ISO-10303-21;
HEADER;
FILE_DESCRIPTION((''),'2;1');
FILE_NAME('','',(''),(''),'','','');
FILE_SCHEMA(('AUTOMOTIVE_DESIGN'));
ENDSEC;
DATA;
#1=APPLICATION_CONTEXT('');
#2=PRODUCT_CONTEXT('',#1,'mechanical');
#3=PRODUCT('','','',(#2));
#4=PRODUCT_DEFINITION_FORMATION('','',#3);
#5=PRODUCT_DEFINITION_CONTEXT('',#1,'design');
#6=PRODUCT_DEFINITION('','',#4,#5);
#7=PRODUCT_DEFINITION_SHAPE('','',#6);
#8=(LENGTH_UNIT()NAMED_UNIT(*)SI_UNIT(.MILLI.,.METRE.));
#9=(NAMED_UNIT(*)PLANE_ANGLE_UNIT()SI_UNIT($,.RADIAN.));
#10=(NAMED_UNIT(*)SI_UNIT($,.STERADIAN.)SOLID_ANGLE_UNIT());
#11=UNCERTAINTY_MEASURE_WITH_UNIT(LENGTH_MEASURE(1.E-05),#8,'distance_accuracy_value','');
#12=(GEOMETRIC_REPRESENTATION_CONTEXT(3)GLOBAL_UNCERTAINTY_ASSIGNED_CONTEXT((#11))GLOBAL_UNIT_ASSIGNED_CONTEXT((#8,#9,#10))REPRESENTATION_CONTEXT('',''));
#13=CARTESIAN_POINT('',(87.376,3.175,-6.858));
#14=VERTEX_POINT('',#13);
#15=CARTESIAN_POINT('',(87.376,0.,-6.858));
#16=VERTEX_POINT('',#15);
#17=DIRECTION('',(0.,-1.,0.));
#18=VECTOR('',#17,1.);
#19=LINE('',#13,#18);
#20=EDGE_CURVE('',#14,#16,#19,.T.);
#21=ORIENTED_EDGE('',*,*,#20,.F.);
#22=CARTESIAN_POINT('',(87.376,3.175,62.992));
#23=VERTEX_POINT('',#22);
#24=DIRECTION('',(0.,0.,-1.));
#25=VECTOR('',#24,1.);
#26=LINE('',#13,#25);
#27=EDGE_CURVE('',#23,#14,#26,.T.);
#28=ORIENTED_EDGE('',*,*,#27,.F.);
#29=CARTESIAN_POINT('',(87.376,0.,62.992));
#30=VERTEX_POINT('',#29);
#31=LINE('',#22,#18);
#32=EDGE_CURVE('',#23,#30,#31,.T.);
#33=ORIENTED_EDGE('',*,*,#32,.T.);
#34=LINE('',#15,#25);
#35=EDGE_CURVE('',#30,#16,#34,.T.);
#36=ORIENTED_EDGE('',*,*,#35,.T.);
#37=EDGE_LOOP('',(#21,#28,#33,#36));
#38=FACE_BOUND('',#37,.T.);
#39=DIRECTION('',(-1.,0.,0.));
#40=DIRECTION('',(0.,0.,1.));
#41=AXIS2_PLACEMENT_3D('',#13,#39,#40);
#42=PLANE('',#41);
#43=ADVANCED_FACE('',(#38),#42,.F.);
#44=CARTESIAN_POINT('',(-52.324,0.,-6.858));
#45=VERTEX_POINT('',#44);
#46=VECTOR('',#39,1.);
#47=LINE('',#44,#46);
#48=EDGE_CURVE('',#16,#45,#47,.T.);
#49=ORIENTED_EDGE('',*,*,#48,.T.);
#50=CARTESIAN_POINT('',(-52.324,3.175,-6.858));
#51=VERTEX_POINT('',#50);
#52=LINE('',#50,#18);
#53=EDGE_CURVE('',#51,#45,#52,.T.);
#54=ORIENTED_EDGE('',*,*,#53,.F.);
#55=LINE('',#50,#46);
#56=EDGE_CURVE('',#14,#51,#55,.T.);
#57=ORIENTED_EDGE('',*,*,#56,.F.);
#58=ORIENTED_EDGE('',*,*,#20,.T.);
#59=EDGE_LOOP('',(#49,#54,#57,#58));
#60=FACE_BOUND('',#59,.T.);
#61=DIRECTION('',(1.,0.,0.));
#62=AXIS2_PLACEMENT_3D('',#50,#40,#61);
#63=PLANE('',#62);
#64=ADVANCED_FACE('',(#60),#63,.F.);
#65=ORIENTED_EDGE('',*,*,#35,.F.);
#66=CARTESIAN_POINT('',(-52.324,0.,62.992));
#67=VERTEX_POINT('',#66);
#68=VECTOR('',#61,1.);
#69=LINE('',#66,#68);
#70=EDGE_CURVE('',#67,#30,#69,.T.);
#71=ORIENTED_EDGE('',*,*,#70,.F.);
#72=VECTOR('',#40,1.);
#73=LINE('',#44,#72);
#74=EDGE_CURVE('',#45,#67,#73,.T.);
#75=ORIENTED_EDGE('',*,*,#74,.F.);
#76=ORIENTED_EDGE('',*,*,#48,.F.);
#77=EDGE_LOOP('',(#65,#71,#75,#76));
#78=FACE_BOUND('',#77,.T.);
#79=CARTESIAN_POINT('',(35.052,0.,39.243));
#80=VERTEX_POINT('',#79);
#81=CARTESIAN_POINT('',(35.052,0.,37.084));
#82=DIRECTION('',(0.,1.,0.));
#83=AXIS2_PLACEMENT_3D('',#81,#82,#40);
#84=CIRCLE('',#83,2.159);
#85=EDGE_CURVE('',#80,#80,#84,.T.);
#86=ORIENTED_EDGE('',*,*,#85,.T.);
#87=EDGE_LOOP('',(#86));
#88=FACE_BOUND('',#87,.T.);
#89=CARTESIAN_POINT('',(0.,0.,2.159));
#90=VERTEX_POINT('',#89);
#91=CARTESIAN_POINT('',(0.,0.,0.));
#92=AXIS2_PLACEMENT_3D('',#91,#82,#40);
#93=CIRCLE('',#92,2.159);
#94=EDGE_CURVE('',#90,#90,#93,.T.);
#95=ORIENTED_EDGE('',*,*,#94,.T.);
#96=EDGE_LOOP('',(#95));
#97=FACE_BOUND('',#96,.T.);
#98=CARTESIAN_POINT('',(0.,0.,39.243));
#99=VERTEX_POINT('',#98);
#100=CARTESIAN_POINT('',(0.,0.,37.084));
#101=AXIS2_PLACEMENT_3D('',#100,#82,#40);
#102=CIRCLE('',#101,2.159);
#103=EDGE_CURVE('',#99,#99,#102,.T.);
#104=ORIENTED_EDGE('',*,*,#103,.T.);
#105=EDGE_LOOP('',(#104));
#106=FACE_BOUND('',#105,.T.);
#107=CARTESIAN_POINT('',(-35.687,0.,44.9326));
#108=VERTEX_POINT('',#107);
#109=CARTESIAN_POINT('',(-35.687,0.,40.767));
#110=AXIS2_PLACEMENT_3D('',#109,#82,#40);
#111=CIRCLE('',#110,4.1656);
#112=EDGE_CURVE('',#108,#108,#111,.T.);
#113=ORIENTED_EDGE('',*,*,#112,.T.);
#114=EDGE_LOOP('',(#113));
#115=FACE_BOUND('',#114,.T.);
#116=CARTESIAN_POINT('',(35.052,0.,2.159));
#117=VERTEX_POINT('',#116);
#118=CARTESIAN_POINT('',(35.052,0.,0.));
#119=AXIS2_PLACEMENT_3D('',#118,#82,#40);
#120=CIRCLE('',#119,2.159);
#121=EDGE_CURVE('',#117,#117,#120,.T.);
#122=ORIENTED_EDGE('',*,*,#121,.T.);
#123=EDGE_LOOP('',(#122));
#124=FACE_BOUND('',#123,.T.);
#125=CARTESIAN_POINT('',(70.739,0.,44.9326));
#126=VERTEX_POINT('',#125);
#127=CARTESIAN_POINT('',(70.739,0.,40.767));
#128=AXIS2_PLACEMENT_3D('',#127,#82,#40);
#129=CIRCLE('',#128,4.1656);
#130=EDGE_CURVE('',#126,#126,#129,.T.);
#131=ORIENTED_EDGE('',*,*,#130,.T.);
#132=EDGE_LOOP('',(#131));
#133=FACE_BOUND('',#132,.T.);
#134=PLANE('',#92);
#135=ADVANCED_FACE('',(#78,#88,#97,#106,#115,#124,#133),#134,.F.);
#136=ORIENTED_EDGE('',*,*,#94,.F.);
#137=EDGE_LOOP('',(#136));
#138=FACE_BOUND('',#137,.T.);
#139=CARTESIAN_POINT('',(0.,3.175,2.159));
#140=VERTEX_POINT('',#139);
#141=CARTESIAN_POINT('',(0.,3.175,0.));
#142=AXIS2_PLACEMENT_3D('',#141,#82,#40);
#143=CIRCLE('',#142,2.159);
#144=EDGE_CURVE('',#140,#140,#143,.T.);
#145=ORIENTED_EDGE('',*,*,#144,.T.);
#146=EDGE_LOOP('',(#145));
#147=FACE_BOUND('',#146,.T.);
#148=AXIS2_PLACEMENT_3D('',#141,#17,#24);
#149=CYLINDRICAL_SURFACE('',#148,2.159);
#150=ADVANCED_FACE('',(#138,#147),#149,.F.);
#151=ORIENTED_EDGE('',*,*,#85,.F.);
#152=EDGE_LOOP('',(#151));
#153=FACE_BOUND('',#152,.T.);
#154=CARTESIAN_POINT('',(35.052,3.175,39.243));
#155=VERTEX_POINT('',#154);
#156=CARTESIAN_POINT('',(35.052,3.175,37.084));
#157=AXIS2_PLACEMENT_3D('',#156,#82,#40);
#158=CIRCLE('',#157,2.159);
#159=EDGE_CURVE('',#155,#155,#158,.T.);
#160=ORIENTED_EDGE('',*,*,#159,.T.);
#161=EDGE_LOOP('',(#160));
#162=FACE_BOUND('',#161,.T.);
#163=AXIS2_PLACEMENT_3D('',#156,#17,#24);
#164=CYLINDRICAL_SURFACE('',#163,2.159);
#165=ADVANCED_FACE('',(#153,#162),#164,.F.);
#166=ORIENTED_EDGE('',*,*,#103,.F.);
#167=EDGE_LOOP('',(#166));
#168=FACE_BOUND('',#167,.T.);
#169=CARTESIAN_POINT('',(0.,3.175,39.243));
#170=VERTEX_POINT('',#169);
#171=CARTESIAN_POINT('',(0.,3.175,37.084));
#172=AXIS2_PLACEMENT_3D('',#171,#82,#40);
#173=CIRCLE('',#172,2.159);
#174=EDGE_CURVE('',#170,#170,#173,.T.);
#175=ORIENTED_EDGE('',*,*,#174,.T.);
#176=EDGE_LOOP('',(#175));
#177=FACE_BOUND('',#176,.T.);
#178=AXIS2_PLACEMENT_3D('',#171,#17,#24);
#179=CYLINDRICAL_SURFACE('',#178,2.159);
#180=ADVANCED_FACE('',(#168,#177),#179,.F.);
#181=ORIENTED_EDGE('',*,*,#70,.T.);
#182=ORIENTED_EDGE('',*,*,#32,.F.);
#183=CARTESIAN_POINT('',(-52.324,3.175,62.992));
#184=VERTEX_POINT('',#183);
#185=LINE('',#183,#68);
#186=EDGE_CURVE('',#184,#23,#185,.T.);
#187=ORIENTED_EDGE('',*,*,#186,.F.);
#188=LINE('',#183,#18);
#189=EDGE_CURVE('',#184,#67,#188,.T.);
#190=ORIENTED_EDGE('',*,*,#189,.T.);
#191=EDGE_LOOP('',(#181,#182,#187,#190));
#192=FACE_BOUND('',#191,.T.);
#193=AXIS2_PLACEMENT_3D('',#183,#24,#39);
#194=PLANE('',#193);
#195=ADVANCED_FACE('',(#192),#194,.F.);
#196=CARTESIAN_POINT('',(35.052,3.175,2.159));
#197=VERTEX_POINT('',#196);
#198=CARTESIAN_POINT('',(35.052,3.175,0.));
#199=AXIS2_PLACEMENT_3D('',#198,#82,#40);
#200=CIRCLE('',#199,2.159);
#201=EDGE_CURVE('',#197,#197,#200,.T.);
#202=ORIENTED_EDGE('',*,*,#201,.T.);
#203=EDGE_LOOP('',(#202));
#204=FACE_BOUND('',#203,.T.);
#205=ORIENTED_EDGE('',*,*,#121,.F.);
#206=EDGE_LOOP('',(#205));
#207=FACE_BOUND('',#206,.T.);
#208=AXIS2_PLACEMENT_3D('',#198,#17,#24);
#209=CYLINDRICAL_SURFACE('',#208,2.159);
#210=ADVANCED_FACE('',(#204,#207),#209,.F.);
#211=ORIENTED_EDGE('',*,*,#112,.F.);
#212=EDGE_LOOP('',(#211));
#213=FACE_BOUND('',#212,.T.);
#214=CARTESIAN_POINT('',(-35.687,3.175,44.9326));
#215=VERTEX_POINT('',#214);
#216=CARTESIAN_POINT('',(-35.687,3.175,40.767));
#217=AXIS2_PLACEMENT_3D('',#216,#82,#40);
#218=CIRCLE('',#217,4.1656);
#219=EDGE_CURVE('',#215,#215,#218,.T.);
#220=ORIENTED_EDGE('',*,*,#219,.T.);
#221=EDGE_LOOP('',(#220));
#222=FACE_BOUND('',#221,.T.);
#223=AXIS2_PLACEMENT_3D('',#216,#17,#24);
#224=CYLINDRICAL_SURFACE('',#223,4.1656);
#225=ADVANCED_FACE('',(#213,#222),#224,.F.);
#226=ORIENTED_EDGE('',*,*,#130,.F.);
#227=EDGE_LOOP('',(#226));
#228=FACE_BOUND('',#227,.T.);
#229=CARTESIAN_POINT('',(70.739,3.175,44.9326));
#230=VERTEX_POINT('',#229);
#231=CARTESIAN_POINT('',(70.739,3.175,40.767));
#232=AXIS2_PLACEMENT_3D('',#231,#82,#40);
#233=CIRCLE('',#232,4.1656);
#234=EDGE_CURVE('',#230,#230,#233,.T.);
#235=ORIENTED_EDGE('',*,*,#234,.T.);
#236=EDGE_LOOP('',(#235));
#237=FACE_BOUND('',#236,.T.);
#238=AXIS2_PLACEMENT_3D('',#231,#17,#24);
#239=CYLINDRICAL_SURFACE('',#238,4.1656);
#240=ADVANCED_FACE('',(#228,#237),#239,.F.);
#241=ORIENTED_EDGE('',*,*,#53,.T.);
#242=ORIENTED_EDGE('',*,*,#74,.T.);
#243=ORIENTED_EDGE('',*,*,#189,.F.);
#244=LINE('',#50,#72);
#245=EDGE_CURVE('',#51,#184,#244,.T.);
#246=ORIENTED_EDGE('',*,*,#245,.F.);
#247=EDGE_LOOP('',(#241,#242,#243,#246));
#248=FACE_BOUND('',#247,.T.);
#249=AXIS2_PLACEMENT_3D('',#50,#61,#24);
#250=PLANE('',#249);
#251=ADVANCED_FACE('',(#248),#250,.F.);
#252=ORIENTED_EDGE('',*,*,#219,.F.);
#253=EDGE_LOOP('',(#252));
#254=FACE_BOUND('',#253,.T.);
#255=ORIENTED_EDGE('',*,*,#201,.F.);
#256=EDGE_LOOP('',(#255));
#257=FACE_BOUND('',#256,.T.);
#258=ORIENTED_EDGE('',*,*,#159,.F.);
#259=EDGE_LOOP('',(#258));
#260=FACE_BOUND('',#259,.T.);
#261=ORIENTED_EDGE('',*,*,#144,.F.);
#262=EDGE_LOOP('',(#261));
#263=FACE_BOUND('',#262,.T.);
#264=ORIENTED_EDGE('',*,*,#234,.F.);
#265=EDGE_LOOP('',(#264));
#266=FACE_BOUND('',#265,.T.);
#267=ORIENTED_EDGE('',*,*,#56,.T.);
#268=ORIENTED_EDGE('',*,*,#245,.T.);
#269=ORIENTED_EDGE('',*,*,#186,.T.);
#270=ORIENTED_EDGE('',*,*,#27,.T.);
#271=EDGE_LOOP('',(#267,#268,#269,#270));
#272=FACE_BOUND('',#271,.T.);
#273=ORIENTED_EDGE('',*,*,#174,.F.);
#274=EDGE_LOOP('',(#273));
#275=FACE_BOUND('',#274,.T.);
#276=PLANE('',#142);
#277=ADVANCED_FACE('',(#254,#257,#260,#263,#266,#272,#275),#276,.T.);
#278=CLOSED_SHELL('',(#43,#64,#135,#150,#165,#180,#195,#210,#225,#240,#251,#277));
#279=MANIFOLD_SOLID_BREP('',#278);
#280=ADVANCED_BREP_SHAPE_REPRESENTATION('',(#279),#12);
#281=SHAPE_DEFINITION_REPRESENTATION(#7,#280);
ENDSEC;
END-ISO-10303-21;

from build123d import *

# Parameters (mm, degrees)
SKETCH1_W           = 139.7
SKETCH1_H           = 69.85
SKETCH1_R           = 2.159
SKETCH1_R_2         = 4.1656
BOSS_EXTRUDE1_DEPTH = 3.175


with BuildPart() as part:
    # Sketch1 → Boss-Extrude1 (new body)
    with BuildSketch(Plane(origin=(0, 0, 0), x_dir=(1, 0, 0), z_dir=(0, 1, 0))):
        with Locations((17.526, -28.067)):
            Rectangle(SKETCH1_W, SKETCH1_H)
        with Locations(Location((0, 0, 0), (0, 0, 270))):
            Circle(SKETCH1_R, mode=Mode.SUBTRACT)
        with Locations(Location((35.052, 0, 0), (0, 0, 270))):
            Circle(SKETCH1_R, mode=Mode.SUBTRACT)
        with Locations(Location((0, -37.084, 0), (0, 0, 270))):
            Circle(SKETCH1_R, mode=Mode.SUBTRACT)
        with Locations(Location((35.052, -37.084, 0), (0, 0, 270))):
            Circle(SKETCH1_R, mode=Mode.SUBTRACT)
        with Locations(Location((-35.687, -40.767, 0), (0, 0, 270))):
            Circle(SKETCH1_R_2, mode=Mode.SUBTRACT)
        with Locations(Location((70.739, -40.767, 0), (0, 0, 270))):
            Circle(SKETCH1_R_2, mode=Mode.SUBTRACT)
    extrude(amount=BOSS_EXTRUDE1_DEPTH)


solid = part.part
